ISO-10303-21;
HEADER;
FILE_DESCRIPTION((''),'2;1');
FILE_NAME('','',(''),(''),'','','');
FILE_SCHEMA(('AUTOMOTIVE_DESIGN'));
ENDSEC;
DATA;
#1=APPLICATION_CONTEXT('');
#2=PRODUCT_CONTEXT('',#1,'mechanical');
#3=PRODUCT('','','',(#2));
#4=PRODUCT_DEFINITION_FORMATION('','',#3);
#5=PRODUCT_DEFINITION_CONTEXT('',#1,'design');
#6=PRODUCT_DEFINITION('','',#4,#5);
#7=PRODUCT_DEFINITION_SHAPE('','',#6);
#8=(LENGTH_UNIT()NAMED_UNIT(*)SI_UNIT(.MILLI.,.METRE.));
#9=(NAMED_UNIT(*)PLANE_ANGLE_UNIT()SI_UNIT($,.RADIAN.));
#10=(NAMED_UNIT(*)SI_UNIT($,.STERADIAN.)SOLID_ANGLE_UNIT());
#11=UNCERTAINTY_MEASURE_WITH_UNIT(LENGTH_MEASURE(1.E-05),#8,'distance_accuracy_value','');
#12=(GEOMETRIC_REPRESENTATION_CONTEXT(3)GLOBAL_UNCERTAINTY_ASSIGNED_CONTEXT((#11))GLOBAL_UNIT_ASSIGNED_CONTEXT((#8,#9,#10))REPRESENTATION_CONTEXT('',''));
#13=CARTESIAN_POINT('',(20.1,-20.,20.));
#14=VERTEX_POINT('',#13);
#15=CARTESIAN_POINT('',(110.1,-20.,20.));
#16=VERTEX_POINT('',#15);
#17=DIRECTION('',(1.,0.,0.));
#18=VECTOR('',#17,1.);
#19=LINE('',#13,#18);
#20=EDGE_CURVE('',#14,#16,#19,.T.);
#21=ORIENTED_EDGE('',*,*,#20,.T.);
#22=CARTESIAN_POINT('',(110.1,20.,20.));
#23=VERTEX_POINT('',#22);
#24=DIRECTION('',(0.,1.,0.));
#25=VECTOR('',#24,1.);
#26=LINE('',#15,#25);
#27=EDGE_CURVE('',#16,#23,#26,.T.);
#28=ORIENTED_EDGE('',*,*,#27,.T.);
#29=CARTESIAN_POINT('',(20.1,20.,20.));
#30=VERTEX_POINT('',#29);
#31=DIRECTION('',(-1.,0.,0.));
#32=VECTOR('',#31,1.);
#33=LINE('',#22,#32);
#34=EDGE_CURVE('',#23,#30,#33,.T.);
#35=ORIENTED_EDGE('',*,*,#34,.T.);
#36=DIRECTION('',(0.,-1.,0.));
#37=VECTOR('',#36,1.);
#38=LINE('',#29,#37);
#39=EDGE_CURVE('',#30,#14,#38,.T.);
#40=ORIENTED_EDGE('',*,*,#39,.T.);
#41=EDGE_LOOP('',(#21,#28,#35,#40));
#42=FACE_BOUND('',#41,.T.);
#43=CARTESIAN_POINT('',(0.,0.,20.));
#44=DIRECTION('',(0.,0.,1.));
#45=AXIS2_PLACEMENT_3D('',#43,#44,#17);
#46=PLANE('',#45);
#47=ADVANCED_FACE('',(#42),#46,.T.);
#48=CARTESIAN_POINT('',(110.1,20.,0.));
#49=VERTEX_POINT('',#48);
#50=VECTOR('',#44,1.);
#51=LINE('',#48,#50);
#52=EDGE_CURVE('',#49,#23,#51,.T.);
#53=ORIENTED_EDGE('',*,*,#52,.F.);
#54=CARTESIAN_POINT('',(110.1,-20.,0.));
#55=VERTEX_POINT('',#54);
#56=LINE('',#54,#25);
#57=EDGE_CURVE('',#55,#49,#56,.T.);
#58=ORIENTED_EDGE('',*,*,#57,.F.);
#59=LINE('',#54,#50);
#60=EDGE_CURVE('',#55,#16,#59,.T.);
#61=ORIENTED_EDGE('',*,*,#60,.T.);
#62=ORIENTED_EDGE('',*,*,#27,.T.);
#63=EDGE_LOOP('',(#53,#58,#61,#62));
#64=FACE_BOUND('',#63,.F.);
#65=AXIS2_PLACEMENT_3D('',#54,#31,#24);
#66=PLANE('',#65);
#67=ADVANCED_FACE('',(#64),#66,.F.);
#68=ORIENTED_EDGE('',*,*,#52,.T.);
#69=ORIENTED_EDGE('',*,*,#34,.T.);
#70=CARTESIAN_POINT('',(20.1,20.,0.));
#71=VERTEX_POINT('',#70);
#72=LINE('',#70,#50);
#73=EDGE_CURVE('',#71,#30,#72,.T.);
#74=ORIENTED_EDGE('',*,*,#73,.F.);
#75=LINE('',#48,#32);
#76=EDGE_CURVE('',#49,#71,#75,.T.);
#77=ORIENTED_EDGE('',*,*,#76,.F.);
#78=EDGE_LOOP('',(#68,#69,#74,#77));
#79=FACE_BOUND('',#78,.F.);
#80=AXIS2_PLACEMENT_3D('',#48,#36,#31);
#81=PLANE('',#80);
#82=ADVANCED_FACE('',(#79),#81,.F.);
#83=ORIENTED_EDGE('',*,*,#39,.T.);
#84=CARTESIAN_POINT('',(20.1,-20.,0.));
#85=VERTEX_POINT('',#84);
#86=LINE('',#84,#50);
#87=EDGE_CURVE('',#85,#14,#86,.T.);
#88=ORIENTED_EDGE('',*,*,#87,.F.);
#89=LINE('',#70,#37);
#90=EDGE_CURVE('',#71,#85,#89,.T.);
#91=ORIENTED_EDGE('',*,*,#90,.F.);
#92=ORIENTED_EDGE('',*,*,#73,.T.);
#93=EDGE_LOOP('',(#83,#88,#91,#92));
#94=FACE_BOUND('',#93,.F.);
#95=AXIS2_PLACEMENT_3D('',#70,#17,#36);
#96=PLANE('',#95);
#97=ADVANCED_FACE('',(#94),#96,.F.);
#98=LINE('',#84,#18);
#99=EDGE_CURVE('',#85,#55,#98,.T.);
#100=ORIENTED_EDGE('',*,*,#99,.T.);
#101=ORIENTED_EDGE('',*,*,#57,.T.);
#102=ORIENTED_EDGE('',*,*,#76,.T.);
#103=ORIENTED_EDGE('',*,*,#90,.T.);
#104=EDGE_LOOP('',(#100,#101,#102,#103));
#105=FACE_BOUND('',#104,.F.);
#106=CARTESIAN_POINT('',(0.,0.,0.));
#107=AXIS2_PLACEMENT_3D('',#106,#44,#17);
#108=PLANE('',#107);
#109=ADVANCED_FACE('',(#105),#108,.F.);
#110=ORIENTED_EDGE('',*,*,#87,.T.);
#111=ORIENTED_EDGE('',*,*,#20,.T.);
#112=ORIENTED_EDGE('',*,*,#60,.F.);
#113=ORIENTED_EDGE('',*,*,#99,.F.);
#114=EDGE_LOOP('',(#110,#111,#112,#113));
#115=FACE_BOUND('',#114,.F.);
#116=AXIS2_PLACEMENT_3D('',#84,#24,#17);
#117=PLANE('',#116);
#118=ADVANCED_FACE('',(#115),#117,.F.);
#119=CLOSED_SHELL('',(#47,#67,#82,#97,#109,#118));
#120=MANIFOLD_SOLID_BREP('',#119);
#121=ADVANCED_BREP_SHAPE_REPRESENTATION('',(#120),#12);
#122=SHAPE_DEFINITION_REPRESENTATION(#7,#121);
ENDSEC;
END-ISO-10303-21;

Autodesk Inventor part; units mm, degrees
ref_plane "YZ Plane" through (0, 0, 0) normal (1, 0, 0) x (0, 1, 0)
ref_plane "XZ Plane" through (0, 0, 0) normal (0, 1, 0) x (-1, 0, 0)
ref_plane "XY Plane" through (0, 0, 0) normal (0, 0, 1) x (1, 0, 0)
sketch "Sketch1" plane through (0, 0, 0) normal (0, 0, 1) x (1, 0, 0)
  point P0 (0, 0)
sketch "LAYER1" plane through (0, 0, 0) normal (0, 0, 1) x (1, 0, 0)
  line L0 (70, 20.5) -> (90, 20.5)
  line L1 (90, 20.5) -> (90, 57.5)
  line L2 (90, 57.5) -> (0, 57.5)
  line L3 (0, 57.5) -> (0, -57.5)
  line L4 (0, -57.5) -> (90, -57.5)
  line L5 (90, -57.5) -> (90, -20.5)
  line L6 (90, -20.5) -> (70, -20.5)
  line L7 (70, -20.5) -> (70, -37.5)
  line L8 (70, -37.5) -> (20, -37.5)
  line L9 (20, -37.5) -> (20, 37.5)
  line L10 (20, 37.5) -> (70, 37.5)
  line L11 (70, 37.5) -> (70, 20.5)
sketch "LAYER2" plane through (0, 0, 0) normal (0, 0, 1) x (1, 0, 0)
  line L0 (20.1, -20) -> (110.1, -20)
  line L1 (110.1, -20) -> (110.1, 20)
  line L2 (110.1, 20) -> (20.1, 20)
  line L3 (20.1, 20) -> (20.1, -20)
sketch "LAYER3" plane through (0, 0, 0) normal (0, 0, 1) x (1, 0, 0)
  line L0 (20.5, -71.2) -> (69.5, -71.2)
  line L1 (69.5, -71.2) -> (69.5, -58)
  line L2 (69.5, -58) -> (20.5, -58)
  line L3 (20.5, -58) -> (20.5, -71.2)
sketch "LAYER4" plane through (0, 0, 0) normal (0, 0, 1) x (1, 0, 0)
  line L0 (20.5, -23.8) -> (69.5, -23.8)
  line L1 (69.5, -23.8) -> (69.5, -37)
  line L2 (69.5, -37) -> (20.5, -37)
  line L3 (20.5, -37) -> (20.5, -23.8)
sketch "LAYER5" plane through (0, 0, 0) normal (0, 0, 1) x (1, 0, 0)
  line L0 (20.5, 23.8) -> (69.5, 23.8)
  line L1 (69.5, 23.8) -> (69.5, 37)
  line L2 (69.5, 37) -> (20.5, 37)
  line L3 (20.5, 37) -> (20.5, 23.8)
sketch "LAYER6" plane through (0, 0, 0) normal (0, 0, 1) x (1, 0, 0)
  line L0 (20.5, 71.2) -> (69.5, 71.2)
  line L1 (69.5, 71.2) -> (69.5, 58)
  line L2 (69.5, 58) -> (20.5, 58)
  line L3 (20.5, 58) -> (20.5, 71.2)
extrude "Extrusion2" add sketch "LAYER2" along normal blind 20
properties part number "Armature"
